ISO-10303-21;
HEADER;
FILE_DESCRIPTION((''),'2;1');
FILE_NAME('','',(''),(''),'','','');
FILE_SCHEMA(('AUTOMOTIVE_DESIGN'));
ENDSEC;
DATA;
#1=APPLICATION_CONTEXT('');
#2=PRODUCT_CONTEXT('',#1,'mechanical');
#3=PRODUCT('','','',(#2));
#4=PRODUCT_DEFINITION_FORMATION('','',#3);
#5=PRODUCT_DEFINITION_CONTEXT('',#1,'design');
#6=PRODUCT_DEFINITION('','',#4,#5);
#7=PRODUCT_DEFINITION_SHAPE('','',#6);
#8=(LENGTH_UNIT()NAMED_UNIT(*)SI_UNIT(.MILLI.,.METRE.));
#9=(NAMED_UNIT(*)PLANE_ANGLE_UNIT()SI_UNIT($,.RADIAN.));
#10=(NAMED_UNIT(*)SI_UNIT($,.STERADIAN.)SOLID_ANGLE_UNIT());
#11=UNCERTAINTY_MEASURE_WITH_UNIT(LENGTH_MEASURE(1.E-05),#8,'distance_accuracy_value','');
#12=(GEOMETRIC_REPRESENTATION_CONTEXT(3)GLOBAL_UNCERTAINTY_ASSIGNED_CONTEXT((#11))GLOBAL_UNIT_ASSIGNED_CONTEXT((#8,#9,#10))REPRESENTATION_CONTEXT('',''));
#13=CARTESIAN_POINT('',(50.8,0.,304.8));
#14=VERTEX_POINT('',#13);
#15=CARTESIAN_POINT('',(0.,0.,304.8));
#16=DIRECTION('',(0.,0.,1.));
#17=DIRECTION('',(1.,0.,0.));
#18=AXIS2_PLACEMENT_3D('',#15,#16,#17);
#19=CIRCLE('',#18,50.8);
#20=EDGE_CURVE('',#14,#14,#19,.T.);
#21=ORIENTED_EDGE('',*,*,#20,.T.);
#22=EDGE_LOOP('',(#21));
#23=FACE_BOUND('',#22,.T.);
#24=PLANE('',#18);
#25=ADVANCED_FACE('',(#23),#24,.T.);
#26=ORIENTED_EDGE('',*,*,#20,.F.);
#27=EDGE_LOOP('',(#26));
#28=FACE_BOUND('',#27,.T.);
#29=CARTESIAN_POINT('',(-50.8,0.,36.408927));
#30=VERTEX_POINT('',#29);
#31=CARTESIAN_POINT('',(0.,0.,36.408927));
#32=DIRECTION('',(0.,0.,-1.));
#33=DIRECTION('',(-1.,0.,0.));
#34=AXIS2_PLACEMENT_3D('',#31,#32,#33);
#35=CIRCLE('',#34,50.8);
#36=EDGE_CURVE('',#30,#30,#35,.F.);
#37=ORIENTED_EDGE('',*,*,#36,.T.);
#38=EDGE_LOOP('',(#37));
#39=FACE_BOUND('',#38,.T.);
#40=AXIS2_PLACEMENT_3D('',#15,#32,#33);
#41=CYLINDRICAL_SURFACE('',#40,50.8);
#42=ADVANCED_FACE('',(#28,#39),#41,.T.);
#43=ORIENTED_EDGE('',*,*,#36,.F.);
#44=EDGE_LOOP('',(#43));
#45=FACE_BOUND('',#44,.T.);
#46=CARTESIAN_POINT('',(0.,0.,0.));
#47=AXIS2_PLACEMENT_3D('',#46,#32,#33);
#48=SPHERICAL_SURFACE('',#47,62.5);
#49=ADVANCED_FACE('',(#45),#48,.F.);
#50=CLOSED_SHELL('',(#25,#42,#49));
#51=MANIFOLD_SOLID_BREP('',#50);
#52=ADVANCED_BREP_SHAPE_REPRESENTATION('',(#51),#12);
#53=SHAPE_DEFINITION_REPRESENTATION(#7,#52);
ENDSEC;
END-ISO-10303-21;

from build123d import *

# Parameters (mm, degrees)
SKETCH1_R           = 50.8
BOSS_EXTRUDE1_DEPTH = 304.8
CUT_REVOLVE3_ANGLE  = 180


with BuildPart() as part:
    # Sketch1 → Boss-Extrude1 (new body)
    with BuildSketch(Plane.XY):
        Circle(SKETCH1_R)
    extrude(amount=BOSS_EXTRUDE1_DEPTH)

    # Sketch2 → Cut-Revolve3 (revolve, cut)
    with BuildSketch(Plane(origin=(0, 0, 0), x_dir=(-1, 0, 0), z_dir=(0, 0, -1))):
        with BuildLine():
            Line((0, 62.5), (0, -62.5))
            ThreePointArc((0, -62.5), (62.5, 0), (0, 62.5))
        make_face()
    revolve(axis=Axis((0, -62.5, 0), (0, 1, 0)), revolution_arc=CUT_REVOLVE3_ANGLE, mode=Mode.SUBTRACT)


solid = part.part
